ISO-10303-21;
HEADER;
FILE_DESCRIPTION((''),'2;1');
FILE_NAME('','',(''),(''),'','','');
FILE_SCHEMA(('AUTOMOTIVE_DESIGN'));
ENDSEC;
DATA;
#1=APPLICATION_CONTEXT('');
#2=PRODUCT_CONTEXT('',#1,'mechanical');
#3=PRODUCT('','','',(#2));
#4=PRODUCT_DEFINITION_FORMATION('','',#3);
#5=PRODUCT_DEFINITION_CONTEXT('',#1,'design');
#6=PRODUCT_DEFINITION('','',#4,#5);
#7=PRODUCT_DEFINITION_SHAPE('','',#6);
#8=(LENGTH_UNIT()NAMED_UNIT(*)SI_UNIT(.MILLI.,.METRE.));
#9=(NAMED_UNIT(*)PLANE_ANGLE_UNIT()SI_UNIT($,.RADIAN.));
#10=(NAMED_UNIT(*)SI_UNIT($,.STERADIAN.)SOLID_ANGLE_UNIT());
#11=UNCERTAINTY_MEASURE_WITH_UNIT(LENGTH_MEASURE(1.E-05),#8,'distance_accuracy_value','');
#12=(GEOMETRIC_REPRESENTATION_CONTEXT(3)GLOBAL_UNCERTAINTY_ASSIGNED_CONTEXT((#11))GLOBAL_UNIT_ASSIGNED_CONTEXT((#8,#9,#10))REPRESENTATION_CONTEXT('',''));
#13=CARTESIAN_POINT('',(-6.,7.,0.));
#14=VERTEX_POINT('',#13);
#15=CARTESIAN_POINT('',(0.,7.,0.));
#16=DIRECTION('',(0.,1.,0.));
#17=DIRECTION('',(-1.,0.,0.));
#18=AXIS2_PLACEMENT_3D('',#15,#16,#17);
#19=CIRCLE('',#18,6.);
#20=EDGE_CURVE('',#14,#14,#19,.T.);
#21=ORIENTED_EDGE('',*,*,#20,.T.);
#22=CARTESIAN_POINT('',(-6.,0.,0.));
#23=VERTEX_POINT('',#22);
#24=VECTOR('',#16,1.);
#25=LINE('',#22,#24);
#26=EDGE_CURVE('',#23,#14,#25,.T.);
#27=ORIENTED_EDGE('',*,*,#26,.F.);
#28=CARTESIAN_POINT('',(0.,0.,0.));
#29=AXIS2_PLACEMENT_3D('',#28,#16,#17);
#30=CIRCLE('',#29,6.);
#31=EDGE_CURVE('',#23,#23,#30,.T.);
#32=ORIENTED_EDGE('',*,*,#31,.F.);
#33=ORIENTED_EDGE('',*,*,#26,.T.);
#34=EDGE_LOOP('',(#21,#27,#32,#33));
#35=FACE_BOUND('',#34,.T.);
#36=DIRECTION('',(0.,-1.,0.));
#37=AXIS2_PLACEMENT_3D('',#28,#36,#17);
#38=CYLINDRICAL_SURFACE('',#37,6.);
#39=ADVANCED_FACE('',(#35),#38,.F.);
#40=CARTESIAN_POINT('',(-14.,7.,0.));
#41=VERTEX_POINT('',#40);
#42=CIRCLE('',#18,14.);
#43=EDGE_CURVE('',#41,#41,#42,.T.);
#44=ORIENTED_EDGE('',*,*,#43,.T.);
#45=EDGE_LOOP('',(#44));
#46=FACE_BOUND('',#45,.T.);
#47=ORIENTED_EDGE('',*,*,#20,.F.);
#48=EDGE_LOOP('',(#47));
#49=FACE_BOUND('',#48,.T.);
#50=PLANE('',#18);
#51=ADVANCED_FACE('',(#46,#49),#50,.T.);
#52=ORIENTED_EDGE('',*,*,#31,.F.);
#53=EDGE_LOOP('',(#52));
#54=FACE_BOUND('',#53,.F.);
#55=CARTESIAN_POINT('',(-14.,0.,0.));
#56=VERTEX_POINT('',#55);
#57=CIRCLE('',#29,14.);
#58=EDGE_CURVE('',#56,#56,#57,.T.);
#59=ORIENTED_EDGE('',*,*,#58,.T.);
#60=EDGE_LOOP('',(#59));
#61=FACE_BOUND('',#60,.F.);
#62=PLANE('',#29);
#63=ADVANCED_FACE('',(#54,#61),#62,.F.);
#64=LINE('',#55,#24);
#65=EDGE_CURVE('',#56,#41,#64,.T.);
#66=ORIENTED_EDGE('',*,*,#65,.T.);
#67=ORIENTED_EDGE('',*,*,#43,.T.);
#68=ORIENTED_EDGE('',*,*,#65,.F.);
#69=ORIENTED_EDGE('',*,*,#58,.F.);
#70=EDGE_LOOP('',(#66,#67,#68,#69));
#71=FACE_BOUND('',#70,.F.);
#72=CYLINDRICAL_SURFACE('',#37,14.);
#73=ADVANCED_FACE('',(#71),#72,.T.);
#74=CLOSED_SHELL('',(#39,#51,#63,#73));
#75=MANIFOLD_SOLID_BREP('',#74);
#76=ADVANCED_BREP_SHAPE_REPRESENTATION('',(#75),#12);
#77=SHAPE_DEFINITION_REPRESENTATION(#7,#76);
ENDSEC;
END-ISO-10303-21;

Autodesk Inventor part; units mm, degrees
ref_plane "YZ Plane" through (0, 0, 0) normal (1, 0, 0) x (0, 1, 0)
ref_plane "XZ Plane" through (0, 0, 0) normal (0, 1, 0) x (-1, 0, 0)
ref_plane "XY Plane" through (0, 0, 0) normal (0, 0, 1) x (1, 0, 0)
sketch "Sketch1" plane through (0, 0, 0) normal (0, 1, 0) x (-1, 0, 0)
  circle A0 centre (0, 0) radius 6
  circle A1 centre (0, 0) radius 14
  dimension "d0" = 12
  dimension "d1" = 28
extrude "Extrusion1" add sketch "Sketch1" along normal blind 7
properties part number "bearing-test"
